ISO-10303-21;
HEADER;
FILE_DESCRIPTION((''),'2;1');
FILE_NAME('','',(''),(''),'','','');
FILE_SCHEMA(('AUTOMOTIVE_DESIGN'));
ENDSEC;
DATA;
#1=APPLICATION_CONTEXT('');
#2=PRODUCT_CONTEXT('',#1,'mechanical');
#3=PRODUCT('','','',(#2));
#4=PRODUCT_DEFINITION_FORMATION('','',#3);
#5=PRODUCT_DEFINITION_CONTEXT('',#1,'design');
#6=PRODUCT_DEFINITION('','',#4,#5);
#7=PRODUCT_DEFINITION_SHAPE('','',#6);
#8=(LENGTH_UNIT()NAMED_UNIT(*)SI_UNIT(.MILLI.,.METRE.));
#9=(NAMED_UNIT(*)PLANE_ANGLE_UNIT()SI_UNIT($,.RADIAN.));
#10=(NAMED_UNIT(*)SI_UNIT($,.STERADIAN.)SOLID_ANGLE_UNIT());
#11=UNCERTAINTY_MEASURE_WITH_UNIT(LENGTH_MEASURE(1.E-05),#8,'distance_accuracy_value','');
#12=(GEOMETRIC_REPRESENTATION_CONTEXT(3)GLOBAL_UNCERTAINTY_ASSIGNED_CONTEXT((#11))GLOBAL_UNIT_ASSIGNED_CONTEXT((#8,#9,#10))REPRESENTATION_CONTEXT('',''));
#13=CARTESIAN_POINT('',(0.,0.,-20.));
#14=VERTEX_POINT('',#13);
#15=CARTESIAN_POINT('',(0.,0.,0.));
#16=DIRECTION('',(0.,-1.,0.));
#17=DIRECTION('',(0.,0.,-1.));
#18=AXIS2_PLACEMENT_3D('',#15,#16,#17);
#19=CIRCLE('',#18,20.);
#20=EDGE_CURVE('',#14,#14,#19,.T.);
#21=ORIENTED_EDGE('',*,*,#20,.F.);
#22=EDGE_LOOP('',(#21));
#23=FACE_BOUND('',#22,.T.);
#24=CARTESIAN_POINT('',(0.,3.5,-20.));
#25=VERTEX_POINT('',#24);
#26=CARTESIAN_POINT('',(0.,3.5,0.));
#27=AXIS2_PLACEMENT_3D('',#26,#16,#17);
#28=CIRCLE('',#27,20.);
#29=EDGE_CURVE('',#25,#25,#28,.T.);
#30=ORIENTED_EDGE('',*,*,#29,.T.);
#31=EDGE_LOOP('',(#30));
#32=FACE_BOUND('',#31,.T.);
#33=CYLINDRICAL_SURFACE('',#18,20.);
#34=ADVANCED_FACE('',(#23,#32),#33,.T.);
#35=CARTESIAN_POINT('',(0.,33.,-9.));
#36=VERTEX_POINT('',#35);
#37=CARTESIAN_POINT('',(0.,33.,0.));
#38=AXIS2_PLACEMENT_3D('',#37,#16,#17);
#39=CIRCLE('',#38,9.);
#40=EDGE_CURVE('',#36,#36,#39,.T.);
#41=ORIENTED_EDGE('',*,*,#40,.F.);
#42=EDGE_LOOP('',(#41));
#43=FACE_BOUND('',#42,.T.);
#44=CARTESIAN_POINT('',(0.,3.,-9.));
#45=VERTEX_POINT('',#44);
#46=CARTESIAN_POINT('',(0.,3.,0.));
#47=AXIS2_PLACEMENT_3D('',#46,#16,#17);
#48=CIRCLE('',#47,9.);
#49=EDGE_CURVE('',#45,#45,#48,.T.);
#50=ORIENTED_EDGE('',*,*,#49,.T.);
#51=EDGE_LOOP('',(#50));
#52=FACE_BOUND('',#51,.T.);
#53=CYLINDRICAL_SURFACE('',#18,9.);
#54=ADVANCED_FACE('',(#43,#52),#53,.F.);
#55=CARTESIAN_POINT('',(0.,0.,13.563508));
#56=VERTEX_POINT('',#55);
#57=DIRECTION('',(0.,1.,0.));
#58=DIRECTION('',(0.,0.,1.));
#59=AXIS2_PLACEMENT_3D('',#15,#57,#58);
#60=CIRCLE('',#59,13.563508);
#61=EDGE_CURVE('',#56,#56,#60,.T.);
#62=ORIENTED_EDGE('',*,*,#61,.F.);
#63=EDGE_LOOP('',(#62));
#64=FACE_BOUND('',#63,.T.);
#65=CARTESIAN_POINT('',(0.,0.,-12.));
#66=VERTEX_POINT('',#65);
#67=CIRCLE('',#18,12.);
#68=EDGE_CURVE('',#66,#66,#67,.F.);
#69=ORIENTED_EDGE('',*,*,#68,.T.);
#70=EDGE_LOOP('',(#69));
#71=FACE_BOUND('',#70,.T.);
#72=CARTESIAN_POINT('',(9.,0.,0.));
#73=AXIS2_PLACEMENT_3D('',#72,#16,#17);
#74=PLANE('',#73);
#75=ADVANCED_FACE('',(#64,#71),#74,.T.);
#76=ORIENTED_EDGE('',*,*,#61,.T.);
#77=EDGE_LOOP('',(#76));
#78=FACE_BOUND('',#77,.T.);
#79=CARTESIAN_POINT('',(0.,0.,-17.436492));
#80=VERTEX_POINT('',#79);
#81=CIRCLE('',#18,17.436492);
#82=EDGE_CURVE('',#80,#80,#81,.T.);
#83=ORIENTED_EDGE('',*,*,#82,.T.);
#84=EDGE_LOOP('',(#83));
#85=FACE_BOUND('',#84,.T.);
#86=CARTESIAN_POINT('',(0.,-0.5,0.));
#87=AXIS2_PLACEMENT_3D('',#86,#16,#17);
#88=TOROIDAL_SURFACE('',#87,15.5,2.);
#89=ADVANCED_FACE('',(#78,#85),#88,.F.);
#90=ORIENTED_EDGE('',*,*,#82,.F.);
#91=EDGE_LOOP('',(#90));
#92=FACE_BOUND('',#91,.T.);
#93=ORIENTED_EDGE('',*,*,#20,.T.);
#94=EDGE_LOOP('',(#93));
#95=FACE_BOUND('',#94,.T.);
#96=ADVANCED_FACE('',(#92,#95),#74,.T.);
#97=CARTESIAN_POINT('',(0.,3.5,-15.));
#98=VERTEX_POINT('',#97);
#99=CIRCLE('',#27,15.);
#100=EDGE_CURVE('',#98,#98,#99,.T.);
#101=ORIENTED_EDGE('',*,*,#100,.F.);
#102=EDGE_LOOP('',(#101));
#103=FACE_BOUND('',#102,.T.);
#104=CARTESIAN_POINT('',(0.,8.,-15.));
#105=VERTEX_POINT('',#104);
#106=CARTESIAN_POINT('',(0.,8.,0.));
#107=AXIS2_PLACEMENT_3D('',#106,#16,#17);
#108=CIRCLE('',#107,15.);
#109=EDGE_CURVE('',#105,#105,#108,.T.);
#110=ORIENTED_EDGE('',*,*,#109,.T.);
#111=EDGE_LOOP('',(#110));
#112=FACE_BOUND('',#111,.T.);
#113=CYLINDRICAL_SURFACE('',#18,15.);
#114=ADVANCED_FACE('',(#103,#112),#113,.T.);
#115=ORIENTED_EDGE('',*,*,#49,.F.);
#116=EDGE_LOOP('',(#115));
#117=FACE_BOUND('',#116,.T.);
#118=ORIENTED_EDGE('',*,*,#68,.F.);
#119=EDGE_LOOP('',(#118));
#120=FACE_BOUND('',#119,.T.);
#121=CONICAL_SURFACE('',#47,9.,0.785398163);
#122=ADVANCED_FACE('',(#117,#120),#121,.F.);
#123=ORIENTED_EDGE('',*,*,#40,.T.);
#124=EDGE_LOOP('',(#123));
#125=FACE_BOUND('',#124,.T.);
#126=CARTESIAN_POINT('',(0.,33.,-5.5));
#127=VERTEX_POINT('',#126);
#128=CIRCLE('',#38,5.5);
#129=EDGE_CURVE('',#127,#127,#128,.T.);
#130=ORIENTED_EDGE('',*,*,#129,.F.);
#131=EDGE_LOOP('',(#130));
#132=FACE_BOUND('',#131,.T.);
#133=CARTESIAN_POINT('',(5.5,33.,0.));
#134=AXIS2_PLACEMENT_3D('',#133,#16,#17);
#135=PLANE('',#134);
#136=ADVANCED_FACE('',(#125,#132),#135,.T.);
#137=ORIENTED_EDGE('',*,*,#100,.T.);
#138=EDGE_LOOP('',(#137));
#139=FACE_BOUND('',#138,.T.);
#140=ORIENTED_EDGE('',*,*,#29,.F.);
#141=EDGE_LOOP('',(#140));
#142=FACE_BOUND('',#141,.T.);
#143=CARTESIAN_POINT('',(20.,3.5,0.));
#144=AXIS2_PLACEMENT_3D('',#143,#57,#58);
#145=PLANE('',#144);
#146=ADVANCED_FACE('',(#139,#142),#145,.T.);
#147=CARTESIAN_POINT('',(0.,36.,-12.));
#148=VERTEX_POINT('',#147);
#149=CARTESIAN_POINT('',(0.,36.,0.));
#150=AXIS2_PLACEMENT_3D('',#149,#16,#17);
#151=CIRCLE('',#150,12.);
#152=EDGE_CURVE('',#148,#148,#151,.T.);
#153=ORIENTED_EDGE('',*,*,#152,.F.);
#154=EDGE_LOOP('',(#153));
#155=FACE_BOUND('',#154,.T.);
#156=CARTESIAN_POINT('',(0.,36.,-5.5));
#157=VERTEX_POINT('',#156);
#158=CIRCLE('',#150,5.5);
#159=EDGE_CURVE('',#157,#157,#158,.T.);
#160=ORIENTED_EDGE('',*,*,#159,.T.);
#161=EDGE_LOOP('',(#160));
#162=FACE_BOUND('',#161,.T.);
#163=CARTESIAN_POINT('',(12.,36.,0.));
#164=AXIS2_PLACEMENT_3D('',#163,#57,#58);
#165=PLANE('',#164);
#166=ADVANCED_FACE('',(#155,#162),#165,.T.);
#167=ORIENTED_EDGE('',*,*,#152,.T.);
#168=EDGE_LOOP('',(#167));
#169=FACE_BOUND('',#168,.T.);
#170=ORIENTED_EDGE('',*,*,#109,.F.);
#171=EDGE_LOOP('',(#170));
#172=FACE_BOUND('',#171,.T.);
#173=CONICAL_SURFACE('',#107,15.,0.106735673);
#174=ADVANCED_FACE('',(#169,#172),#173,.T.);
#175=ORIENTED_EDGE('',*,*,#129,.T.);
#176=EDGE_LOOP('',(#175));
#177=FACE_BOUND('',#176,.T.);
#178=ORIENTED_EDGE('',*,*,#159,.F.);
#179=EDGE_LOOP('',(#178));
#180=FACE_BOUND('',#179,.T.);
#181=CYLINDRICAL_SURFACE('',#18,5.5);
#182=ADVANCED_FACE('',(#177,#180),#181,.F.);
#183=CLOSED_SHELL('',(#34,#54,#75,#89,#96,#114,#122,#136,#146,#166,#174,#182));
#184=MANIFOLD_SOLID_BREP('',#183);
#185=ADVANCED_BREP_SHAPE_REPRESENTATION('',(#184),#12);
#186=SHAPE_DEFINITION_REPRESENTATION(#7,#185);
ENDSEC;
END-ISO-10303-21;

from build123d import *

# Parameters (mm, degrees)
CHAMFER_1_SIZE = 3


with BuildPart() as part:
    # Эскиз1 → Повернуть1 (revolve)
    with BuildSketch(Plane.XY):
        Polygon((9, 0), (20, 0), (20, 3.5), (15, 3.5), (15, 8), (12, 36), (5.5, 36), (5.5, 33), (9, 33), align=None)
    revolve(axis=Axis((0, 0, 0), (0, 1, 0)))

    # Эскиз2 → Вырез-Повернуть1 (revolve, cut)
    with BuildSketch(Plane.XY):
        with BuildLine():
            Line((13.5, -3.5), (13.5, -0.5))
            ThreePointArc((13.5, -0.5), (15.5, 1.5), (17.5, -0.5))
            Line((17.5, -0.5), (17.5, -3.5))
            ThreePointArc((17.5, -3.5), (15.5, -5.5), (13.5, -3.5))
        make_face()
    revolve(axis=Axis((0, 0, 0), (0, 1, 0)), mode=Mode.SUBTRACT)

    # Фаска1
    chamfer_1_edges = [part.edges().sort_by_distance(p)[0] for p in [
        (-9, 0, 0),
    ]]
    chamfer(chamfer_1_edges, length=CHAMFER_1_SIZE)


solid = part.part
